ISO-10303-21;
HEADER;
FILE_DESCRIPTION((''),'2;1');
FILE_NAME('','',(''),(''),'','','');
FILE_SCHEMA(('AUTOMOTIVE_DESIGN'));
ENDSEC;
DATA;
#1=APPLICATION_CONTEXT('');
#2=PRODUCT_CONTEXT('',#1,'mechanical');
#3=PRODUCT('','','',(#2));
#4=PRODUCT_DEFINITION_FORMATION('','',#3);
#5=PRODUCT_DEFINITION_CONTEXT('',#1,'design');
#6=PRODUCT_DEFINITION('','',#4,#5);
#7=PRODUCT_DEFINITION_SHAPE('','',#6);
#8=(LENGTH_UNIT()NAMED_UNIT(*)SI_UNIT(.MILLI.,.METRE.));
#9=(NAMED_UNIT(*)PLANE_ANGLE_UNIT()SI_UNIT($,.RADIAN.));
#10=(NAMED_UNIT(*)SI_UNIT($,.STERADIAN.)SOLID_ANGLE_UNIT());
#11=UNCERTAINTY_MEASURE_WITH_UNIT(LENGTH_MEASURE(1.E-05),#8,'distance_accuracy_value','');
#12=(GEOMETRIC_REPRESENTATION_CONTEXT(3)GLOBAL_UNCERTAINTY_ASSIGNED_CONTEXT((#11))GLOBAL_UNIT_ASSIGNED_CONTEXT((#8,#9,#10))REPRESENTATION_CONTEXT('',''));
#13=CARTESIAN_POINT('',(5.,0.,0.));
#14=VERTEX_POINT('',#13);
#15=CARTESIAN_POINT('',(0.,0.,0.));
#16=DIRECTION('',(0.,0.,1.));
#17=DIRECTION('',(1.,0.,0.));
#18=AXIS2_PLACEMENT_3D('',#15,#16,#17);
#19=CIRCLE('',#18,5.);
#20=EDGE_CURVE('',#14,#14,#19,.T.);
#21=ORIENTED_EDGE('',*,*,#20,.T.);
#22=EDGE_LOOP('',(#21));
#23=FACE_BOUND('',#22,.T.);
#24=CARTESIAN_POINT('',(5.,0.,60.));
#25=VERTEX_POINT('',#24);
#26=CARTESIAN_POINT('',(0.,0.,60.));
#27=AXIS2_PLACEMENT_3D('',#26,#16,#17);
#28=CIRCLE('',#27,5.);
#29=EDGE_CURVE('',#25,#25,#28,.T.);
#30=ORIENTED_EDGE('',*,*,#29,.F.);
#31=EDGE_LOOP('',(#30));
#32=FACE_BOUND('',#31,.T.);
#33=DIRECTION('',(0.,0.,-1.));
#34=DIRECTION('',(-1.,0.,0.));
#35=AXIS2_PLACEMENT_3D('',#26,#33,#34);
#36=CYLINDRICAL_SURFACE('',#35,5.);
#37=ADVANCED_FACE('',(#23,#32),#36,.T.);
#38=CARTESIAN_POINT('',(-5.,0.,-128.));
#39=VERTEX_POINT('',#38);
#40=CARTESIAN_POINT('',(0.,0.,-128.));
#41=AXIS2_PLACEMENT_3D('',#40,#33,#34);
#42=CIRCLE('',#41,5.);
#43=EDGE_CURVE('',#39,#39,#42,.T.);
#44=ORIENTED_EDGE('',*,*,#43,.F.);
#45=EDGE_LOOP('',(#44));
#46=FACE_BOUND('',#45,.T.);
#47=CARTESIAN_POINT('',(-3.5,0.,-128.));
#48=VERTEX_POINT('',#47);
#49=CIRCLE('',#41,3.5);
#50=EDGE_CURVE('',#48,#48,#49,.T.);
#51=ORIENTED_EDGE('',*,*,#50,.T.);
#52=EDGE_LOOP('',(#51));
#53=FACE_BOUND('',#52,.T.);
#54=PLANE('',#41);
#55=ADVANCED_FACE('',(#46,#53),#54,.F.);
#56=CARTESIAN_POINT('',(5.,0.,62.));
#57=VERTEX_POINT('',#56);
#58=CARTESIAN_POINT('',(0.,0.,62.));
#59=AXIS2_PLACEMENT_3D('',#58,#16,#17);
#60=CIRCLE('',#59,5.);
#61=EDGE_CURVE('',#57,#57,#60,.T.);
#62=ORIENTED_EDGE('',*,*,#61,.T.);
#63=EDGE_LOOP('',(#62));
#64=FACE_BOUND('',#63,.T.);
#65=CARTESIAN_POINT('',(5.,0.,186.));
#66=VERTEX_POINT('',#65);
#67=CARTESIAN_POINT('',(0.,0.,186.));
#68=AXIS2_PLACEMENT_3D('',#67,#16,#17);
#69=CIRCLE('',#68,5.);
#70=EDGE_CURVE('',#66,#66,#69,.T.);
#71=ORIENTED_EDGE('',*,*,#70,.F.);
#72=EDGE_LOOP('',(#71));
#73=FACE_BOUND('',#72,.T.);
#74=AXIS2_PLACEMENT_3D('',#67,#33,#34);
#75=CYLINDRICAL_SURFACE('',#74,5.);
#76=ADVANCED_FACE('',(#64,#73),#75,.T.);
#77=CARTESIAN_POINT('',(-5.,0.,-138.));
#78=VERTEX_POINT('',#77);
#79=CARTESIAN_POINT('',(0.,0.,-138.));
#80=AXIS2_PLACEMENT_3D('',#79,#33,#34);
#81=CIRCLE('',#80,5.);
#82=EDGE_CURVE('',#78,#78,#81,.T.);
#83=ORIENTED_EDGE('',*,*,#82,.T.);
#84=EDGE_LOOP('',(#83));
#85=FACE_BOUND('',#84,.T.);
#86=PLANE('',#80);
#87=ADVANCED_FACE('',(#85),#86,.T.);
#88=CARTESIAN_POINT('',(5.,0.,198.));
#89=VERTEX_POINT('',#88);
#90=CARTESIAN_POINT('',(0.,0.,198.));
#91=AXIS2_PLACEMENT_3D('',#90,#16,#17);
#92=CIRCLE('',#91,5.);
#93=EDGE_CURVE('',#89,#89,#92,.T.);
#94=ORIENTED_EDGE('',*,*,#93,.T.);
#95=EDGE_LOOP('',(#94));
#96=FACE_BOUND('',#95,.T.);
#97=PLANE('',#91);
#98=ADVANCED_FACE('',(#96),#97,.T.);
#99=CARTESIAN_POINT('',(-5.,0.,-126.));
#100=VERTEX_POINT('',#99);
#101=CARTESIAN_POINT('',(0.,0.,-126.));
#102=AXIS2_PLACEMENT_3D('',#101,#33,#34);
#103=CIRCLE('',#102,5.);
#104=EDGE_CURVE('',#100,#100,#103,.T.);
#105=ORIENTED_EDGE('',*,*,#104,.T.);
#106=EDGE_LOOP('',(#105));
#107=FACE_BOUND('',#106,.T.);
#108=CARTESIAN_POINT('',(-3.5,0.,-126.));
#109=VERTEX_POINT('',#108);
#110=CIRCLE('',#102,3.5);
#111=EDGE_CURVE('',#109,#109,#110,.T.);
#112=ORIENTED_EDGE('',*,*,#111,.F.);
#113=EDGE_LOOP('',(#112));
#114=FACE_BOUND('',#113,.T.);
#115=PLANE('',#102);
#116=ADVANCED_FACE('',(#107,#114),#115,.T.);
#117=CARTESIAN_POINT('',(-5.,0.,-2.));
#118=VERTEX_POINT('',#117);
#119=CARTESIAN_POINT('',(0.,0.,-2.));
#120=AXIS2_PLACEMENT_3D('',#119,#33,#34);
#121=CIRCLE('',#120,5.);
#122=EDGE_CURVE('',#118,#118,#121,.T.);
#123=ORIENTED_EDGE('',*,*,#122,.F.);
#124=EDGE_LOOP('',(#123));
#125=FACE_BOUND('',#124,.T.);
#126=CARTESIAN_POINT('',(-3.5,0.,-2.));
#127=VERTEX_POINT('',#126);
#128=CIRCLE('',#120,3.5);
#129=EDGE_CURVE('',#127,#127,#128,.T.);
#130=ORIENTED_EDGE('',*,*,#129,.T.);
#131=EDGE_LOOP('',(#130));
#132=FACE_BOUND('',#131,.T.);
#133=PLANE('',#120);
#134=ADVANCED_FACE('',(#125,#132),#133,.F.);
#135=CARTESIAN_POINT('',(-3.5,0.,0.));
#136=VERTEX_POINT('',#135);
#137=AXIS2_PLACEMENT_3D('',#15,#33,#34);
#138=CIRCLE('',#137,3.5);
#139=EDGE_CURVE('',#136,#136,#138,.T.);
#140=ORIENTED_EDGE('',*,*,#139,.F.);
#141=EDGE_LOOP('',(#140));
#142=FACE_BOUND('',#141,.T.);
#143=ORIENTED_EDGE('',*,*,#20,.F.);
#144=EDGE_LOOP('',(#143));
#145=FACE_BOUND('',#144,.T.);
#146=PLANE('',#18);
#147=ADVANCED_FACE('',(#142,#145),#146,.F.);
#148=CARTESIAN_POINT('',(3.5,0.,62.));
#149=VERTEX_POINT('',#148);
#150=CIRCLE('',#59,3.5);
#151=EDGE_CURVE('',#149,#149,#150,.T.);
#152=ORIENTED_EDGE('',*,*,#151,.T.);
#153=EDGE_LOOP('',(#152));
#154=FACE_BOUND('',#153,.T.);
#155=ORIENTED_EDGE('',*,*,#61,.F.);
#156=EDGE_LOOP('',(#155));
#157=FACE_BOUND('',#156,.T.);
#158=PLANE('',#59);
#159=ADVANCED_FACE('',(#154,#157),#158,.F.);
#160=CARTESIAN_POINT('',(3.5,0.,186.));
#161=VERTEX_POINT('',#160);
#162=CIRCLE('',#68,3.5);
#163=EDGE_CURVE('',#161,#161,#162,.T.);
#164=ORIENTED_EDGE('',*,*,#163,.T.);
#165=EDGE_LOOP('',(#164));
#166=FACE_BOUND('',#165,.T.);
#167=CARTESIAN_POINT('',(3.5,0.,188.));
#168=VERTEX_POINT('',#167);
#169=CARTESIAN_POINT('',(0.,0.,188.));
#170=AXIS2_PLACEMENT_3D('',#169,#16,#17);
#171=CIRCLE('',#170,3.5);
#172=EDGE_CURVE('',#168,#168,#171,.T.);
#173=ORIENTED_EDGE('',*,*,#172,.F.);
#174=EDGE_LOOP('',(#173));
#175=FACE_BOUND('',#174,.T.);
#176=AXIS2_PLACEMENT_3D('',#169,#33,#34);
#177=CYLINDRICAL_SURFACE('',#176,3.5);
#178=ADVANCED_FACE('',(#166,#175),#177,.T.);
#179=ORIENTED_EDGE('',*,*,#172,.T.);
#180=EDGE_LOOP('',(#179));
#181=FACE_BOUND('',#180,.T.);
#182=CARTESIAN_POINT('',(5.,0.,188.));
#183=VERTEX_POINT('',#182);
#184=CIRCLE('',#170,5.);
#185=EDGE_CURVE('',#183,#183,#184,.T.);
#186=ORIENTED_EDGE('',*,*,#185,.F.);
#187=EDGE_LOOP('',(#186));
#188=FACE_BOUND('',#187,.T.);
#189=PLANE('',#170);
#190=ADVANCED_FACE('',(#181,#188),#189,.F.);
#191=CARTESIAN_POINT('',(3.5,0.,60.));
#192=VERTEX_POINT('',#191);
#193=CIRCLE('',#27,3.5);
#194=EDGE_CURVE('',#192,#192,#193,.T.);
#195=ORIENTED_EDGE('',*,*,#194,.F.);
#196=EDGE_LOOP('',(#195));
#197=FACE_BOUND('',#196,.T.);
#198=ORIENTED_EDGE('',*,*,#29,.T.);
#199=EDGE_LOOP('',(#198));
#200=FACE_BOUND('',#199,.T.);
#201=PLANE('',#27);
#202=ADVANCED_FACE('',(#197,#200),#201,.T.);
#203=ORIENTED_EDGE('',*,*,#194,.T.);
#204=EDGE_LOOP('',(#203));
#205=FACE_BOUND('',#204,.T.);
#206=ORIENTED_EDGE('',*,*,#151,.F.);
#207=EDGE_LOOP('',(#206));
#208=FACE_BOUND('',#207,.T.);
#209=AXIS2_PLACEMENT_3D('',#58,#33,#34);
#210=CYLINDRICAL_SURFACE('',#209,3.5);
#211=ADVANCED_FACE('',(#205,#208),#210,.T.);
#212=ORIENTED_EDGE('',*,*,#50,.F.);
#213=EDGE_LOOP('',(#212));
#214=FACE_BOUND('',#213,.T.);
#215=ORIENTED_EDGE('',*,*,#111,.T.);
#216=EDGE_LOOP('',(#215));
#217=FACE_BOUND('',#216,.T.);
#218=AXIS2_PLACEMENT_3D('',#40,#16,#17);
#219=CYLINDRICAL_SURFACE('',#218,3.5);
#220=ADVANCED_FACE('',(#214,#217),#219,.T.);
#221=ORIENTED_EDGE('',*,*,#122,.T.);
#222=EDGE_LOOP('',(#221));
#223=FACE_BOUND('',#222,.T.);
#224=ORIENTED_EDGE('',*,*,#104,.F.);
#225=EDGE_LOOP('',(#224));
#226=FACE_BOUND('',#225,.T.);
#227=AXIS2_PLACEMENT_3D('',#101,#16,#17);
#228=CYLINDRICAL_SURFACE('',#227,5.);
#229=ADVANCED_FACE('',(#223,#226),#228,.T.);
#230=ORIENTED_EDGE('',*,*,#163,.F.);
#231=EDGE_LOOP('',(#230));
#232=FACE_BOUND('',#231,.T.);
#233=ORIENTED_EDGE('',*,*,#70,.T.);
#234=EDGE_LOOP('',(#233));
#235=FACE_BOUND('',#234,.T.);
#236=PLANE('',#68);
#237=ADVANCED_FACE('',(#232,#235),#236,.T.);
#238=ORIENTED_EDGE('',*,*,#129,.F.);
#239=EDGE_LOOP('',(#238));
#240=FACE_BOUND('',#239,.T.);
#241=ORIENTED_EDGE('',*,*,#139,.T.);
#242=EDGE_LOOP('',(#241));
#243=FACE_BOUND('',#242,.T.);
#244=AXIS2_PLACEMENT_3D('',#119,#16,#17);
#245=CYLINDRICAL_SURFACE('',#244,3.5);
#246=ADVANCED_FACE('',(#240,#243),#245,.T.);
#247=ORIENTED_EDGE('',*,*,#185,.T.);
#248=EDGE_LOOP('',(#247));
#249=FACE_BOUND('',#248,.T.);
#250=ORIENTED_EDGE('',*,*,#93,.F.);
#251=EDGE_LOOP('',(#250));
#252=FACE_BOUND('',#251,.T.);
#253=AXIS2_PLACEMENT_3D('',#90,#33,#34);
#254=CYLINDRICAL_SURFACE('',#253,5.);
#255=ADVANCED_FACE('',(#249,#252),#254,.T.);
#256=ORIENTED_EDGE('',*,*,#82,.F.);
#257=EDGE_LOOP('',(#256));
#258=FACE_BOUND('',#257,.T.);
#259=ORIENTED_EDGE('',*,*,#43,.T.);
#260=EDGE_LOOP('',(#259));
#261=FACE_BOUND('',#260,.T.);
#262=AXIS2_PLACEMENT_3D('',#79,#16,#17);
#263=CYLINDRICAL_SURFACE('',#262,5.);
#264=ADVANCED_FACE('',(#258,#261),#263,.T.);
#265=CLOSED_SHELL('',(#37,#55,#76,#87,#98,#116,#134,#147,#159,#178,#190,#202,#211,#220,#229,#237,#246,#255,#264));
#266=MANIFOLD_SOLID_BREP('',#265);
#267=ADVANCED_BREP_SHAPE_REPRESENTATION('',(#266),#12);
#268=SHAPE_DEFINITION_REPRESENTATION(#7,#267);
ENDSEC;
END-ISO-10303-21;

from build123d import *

# Parameters (mm, degrees)
SKETCH_1_R      = 5
EXTRUDE_1_DEPTH = 60
SKETCH_2_R      = 3.5
EXTRUDE_2_DEPTH = 2
EXTRUDE_START   = 2
SKETCH_3_R      = 3.5
EXTRUDE_3_DEPTH = 2
EXTRUDE_START_2 = 124
SKETCH_4_R      = 5
EXTRUDE_4_DEPTH = 124
SKETCH_5_R      = 5
EXTRUDE_5_DEPTH = 124
SKETCH_6_R      = 3.5
EXTRUDE_6_DEPTH = 2
SKETCH_7_R      = 5
EXTRUDE_7_DEPTH = 10
SKETCH_8_R      = 3.5
EXTRUDE_8_DEPTH = 2
EXTRUDE_START_3 = 10
SKETCH_9_R      = 5
EXTRUDE_9_DEPTH = 10


with BuildPart() as part:
    # 草图1 → 凸台-拉伸1 (new body)
    with BuildSketch(Plane.XY):
        Circle(SKETCH_1_R)
    extrude(amount=EXTRUDE_1_DEPTH)

    # 草图2 → 凸台-拉伸2 (add)
    with BuildSketch(Plane.XY.offset(60)):
        Circle(SKETCH_2_R)
    extrude(amount=EXTRUDE_2_DEPTH)

    # 草图3 → 凸台-拉伸3 (add)
    with BuildSketch(Plane(origin=(0, 0, 0), x_dir=(-1, 0, 0), z_dir=(0, 0, -1)).offset(EXTRUDE_START)):
        with Locations(Location((0, 0, 0), (0, 0, 180))):
            Circle(SKETCH_3_R)
    extrude(amount=-EXTRUDE_3_DEPTH)

    # 草图4 → 凸台-拉伸4 (add)
    with BuildSketch(Plane(origin=(0, 0, -2), x_dir=(-1, 0, 0), z_dir=(0, 0, -1)).offset(EXTRUDE_START_2)):
        with Locations(Location((0, 0, 0), (0, 0, 180))):
            Circle(SKETCH_4_R)
    extrude(amount=-EXTRUDE_4_DEPTH)

    # 草图5 → 凸台-拉伸5 (add)
    with BuildSketch(Plane.XY.offset(62)):
        Circle(SKETCH_5_R)
    extrude(amount=EXTRUDE_5_DEPTH)

    # 草图6 → 凸台-拉伸6 (add)
    with BuildSketch(Plane.XY.offset(186)):
        Circle(SKETCH_6_R)
    extrude(amount=EXTRUDE_6_DEPTH)

    # 草图7 → 凸台-拉伸7 (add)
    with BuildSketch(Plane.XY.offset(188)):
        Circle(SKETCH_7_R)
    extrude(amount=EXTRUDE_7_DEPTH)

    # 草图8 → 凸台-拉伸8 (add)
    with BuildSketch(Plane(origin=(0, 0, -126), x_dir=(-1, 0, 0), z_dir=(0, 0, -1)).offset(EXTRUDE_START)):
        with Locations(Location((0, 0, 0), (0, 0, 180))):
            Circle(SKETCH_8_R)
    extrude(amount=-EXTRUDE_8_DEPTH)

    # 草图9 → 凸台-拉伸9 (add)
    with BuildSketch(Plane(origin=(0, 0, -128), x_dir=(-1, 0, 0), z_dir=(0, 0, -1)).offset(EXTRUDE_START_3)):
        with Locations(Location((0, 0, 0), (0, 0, 180))):
            Circle(SKETCH_9_R)
    extrude(amount=-EXTRUDE_9_DEPTH)


solid = part.part
